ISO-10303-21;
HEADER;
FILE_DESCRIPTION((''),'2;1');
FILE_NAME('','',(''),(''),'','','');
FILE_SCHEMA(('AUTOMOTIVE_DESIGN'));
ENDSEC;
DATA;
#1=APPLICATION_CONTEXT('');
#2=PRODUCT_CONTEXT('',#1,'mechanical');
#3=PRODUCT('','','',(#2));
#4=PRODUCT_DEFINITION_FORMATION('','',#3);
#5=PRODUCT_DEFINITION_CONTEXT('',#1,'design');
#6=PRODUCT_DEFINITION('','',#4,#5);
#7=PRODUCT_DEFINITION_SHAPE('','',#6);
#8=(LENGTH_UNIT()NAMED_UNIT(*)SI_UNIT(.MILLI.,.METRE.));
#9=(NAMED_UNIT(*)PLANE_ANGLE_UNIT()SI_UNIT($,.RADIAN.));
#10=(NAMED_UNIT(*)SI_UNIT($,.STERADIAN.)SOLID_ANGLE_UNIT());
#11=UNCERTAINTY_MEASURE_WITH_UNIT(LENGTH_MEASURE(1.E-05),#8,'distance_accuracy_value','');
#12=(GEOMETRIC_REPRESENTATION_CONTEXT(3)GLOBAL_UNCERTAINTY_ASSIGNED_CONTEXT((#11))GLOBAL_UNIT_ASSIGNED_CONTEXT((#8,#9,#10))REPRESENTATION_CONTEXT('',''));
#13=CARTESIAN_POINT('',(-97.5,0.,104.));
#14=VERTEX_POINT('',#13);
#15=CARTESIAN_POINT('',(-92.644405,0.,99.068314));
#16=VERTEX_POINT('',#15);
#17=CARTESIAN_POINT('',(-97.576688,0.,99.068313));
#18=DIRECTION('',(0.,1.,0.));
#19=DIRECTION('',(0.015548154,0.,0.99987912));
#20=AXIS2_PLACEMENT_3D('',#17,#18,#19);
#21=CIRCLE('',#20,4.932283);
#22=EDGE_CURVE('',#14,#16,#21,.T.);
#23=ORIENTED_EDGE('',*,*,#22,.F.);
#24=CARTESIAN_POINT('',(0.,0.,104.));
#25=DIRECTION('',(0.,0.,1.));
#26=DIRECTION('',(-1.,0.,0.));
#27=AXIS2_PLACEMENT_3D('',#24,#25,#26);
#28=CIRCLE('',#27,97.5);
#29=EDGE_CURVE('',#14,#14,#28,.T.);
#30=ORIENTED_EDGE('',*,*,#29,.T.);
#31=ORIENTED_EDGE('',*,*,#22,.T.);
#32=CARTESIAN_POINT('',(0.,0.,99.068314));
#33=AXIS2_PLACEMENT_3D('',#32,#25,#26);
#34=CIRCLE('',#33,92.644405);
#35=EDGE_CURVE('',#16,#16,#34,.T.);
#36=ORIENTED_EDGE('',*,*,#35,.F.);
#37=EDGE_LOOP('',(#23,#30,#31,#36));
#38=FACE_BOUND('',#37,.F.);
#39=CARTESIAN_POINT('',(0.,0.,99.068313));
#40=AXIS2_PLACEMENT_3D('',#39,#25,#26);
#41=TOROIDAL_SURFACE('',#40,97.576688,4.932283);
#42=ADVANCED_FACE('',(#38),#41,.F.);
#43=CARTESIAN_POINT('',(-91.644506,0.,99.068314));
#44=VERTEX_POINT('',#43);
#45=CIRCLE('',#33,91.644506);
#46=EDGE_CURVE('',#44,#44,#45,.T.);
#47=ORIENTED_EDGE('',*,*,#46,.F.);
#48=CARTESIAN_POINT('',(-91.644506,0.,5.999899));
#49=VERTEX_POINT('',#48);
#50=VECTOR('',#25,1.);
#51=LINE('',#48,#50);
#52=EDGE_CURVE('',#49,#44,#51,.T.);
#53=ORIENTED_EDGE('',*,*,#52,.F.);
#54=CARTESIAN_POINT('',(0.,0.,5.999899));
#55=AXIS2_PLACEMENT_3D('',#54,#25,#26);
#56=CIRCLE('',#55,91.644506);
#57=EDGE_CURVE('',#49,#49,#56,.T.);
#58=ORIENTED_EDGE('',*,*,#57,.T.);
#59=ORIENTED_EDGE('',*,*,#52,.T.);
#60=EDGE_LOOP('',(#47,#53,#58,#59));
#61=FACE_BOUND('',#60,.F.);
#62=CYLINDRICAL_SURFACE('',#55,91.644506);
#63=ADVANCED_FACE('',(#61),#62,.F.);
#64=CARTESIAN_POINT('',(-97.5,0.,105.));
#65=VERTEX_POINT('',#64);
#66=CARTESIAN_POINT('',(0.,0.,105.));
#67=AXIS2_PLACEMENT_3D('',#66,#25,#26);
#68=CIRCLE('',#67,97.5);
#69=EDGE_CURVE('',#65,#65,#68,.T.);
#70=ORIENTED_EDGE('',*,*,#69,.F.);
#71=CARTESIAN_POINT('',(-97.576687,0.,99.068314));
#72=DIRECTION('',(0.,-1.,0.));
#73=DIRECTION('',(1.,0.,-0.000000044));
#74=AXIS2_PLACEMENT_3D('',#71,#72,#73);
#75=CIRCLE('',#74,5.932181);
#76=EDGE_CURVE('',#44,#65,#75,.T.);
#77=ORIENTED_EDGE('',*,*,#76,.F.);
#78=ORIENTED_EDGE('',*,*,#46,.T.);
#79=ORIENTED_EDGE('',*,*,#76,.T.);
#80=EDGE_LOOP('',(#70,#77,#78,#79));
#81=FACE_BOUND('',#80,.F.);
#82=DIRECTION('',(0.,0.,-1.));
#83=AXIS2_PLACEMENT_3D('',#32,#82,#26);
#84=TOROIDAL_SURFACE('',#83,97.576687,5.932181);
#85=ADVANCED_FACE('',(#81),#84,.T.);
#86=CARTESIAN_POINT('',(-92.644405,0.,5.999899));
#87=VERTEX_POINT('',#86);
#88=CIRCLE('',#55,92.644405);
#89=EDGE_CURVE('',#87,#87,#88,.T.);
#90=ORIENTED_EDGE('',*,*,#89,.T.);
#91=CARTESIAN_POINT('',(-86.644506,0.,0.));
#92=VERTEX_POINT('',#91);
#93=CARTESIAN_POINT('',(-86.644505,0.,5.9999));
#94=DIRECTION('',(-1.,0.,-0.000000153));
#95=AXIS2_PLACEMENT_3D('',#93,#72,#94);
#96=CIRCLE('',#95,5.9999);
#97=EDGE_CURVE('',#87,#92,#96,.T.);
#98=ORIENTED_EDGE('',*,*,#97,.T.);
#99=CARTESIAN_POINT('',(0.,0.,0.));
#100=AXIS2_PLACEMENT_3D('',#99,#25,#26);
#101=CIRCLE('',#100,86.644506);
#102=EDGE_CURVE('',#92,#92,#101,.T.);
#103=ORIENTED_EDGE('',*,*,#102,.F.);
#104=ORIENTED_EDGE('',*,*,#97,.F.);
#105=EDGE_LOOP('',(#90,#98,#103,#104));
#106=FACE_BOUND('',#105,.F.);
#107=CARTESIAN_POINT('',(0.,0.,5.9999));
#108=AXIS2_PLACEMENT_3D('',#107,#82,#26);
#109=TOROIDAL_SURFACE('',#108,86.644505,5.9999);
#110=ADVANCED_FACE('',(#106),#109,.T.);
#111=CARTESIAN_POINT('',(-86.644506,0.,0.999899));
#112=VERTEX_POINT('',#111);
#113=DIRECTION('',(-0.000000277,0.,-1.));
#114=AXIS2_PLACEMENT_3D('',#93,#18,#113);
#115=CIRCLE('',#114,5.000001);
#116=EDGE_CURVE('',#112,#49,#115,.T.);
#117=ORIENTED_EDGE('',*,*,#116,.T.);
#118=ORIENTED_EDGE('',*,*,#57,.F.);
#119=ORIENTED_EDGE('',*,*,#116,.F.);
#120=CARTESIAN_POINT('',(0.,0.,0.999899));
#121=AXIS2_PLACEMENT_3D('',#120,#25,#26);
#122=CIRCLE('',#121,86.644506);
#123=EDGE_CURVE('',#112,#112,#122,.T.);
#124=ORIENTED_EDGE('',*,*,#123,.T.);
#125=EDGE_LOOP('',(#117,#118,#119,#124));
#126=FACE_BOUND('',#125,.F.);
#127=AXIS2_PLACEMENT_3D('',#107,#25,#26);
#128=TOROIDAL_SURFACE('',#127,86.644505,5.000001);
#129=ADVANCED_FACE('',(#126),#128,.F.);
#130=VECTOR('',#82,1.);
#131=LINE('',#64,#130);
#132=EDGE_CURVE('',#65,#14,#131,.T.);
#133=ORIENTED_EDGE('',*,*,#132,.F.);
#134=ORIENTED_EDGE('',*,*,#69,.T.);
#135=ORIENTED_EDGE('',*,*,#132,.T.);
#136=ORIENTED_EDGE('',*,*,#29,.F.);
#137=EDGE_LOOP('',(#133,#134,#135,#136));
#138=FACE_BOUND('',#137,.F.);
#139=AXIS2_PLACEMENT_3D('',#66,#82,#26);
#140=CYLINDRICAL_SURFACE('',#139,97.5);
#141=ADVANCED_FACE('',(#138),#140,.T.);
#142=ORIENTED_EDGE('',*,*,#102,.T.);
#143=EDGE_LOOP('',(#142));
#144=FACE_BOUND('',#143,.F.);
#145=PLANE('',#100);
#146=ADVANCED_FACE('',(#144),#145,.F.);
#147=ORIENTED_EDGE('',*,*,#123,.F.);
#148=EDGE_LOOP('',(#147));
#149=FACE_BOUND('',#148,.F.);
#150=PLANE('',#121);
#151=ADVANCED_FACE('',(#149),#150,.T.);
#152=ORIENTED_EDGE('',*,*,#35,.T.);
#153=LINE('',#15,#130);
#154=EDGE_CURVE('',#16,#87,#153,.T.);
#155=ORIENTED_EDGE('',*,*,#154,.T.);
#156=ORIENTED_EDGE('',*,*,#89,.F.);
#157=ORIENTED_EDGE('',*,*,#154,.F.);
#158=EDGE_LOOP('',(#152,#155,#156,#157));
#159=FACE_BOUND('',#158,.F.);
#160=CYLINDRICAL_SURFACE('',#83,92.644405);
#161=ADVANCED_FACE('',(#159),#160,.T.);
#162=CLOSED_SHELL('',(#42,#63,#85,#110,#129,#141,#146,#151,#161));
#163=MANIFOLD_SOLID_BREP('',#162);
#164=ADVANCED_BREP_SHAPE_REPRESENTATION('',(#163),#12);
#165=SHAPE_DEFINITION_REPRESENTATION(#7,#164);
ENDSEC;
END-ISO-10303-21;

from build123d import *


with BuildPart() as f1:
    # F0 (on Front) → F1 (revolve)
    with BuildSketch(Plane.XZ):
        with BuildLine():
            Line((-86.644506, 0), (0, 0))
            Line((0, 0), (0, 0.999899))
            Line((0, 0.999899), (-86.644506, 0.999899))
            ThreePointArc((-86.644506, 0.999899), (-90.18004, 2.464366), (-91.644506, 5.999899))
            Line((-91.644506, 5.999899), (-91.644506, 99.068314))
            ThreePointArc((-91.644506, 99.068314), (-93.354975, 103.235798), (-97.5, 105))
            Line((-97.5, 105), (-97.5, 104))
            ThreePointArc((-97.5, 104), (-94.062029, 102.528745), (-92.644405, 99.068314))
            Line((-92.644405, 99.068314), (-92.644405, 5.999899))
            ThreePointArc((-92.644405, 5.999899), (-90.887075, 1.75733), (-86.644506, 0))
        make_face()
    revolve(axis=Axis((0, 0, 0.49995), (0, 0, 1)))


solid = f1.part
